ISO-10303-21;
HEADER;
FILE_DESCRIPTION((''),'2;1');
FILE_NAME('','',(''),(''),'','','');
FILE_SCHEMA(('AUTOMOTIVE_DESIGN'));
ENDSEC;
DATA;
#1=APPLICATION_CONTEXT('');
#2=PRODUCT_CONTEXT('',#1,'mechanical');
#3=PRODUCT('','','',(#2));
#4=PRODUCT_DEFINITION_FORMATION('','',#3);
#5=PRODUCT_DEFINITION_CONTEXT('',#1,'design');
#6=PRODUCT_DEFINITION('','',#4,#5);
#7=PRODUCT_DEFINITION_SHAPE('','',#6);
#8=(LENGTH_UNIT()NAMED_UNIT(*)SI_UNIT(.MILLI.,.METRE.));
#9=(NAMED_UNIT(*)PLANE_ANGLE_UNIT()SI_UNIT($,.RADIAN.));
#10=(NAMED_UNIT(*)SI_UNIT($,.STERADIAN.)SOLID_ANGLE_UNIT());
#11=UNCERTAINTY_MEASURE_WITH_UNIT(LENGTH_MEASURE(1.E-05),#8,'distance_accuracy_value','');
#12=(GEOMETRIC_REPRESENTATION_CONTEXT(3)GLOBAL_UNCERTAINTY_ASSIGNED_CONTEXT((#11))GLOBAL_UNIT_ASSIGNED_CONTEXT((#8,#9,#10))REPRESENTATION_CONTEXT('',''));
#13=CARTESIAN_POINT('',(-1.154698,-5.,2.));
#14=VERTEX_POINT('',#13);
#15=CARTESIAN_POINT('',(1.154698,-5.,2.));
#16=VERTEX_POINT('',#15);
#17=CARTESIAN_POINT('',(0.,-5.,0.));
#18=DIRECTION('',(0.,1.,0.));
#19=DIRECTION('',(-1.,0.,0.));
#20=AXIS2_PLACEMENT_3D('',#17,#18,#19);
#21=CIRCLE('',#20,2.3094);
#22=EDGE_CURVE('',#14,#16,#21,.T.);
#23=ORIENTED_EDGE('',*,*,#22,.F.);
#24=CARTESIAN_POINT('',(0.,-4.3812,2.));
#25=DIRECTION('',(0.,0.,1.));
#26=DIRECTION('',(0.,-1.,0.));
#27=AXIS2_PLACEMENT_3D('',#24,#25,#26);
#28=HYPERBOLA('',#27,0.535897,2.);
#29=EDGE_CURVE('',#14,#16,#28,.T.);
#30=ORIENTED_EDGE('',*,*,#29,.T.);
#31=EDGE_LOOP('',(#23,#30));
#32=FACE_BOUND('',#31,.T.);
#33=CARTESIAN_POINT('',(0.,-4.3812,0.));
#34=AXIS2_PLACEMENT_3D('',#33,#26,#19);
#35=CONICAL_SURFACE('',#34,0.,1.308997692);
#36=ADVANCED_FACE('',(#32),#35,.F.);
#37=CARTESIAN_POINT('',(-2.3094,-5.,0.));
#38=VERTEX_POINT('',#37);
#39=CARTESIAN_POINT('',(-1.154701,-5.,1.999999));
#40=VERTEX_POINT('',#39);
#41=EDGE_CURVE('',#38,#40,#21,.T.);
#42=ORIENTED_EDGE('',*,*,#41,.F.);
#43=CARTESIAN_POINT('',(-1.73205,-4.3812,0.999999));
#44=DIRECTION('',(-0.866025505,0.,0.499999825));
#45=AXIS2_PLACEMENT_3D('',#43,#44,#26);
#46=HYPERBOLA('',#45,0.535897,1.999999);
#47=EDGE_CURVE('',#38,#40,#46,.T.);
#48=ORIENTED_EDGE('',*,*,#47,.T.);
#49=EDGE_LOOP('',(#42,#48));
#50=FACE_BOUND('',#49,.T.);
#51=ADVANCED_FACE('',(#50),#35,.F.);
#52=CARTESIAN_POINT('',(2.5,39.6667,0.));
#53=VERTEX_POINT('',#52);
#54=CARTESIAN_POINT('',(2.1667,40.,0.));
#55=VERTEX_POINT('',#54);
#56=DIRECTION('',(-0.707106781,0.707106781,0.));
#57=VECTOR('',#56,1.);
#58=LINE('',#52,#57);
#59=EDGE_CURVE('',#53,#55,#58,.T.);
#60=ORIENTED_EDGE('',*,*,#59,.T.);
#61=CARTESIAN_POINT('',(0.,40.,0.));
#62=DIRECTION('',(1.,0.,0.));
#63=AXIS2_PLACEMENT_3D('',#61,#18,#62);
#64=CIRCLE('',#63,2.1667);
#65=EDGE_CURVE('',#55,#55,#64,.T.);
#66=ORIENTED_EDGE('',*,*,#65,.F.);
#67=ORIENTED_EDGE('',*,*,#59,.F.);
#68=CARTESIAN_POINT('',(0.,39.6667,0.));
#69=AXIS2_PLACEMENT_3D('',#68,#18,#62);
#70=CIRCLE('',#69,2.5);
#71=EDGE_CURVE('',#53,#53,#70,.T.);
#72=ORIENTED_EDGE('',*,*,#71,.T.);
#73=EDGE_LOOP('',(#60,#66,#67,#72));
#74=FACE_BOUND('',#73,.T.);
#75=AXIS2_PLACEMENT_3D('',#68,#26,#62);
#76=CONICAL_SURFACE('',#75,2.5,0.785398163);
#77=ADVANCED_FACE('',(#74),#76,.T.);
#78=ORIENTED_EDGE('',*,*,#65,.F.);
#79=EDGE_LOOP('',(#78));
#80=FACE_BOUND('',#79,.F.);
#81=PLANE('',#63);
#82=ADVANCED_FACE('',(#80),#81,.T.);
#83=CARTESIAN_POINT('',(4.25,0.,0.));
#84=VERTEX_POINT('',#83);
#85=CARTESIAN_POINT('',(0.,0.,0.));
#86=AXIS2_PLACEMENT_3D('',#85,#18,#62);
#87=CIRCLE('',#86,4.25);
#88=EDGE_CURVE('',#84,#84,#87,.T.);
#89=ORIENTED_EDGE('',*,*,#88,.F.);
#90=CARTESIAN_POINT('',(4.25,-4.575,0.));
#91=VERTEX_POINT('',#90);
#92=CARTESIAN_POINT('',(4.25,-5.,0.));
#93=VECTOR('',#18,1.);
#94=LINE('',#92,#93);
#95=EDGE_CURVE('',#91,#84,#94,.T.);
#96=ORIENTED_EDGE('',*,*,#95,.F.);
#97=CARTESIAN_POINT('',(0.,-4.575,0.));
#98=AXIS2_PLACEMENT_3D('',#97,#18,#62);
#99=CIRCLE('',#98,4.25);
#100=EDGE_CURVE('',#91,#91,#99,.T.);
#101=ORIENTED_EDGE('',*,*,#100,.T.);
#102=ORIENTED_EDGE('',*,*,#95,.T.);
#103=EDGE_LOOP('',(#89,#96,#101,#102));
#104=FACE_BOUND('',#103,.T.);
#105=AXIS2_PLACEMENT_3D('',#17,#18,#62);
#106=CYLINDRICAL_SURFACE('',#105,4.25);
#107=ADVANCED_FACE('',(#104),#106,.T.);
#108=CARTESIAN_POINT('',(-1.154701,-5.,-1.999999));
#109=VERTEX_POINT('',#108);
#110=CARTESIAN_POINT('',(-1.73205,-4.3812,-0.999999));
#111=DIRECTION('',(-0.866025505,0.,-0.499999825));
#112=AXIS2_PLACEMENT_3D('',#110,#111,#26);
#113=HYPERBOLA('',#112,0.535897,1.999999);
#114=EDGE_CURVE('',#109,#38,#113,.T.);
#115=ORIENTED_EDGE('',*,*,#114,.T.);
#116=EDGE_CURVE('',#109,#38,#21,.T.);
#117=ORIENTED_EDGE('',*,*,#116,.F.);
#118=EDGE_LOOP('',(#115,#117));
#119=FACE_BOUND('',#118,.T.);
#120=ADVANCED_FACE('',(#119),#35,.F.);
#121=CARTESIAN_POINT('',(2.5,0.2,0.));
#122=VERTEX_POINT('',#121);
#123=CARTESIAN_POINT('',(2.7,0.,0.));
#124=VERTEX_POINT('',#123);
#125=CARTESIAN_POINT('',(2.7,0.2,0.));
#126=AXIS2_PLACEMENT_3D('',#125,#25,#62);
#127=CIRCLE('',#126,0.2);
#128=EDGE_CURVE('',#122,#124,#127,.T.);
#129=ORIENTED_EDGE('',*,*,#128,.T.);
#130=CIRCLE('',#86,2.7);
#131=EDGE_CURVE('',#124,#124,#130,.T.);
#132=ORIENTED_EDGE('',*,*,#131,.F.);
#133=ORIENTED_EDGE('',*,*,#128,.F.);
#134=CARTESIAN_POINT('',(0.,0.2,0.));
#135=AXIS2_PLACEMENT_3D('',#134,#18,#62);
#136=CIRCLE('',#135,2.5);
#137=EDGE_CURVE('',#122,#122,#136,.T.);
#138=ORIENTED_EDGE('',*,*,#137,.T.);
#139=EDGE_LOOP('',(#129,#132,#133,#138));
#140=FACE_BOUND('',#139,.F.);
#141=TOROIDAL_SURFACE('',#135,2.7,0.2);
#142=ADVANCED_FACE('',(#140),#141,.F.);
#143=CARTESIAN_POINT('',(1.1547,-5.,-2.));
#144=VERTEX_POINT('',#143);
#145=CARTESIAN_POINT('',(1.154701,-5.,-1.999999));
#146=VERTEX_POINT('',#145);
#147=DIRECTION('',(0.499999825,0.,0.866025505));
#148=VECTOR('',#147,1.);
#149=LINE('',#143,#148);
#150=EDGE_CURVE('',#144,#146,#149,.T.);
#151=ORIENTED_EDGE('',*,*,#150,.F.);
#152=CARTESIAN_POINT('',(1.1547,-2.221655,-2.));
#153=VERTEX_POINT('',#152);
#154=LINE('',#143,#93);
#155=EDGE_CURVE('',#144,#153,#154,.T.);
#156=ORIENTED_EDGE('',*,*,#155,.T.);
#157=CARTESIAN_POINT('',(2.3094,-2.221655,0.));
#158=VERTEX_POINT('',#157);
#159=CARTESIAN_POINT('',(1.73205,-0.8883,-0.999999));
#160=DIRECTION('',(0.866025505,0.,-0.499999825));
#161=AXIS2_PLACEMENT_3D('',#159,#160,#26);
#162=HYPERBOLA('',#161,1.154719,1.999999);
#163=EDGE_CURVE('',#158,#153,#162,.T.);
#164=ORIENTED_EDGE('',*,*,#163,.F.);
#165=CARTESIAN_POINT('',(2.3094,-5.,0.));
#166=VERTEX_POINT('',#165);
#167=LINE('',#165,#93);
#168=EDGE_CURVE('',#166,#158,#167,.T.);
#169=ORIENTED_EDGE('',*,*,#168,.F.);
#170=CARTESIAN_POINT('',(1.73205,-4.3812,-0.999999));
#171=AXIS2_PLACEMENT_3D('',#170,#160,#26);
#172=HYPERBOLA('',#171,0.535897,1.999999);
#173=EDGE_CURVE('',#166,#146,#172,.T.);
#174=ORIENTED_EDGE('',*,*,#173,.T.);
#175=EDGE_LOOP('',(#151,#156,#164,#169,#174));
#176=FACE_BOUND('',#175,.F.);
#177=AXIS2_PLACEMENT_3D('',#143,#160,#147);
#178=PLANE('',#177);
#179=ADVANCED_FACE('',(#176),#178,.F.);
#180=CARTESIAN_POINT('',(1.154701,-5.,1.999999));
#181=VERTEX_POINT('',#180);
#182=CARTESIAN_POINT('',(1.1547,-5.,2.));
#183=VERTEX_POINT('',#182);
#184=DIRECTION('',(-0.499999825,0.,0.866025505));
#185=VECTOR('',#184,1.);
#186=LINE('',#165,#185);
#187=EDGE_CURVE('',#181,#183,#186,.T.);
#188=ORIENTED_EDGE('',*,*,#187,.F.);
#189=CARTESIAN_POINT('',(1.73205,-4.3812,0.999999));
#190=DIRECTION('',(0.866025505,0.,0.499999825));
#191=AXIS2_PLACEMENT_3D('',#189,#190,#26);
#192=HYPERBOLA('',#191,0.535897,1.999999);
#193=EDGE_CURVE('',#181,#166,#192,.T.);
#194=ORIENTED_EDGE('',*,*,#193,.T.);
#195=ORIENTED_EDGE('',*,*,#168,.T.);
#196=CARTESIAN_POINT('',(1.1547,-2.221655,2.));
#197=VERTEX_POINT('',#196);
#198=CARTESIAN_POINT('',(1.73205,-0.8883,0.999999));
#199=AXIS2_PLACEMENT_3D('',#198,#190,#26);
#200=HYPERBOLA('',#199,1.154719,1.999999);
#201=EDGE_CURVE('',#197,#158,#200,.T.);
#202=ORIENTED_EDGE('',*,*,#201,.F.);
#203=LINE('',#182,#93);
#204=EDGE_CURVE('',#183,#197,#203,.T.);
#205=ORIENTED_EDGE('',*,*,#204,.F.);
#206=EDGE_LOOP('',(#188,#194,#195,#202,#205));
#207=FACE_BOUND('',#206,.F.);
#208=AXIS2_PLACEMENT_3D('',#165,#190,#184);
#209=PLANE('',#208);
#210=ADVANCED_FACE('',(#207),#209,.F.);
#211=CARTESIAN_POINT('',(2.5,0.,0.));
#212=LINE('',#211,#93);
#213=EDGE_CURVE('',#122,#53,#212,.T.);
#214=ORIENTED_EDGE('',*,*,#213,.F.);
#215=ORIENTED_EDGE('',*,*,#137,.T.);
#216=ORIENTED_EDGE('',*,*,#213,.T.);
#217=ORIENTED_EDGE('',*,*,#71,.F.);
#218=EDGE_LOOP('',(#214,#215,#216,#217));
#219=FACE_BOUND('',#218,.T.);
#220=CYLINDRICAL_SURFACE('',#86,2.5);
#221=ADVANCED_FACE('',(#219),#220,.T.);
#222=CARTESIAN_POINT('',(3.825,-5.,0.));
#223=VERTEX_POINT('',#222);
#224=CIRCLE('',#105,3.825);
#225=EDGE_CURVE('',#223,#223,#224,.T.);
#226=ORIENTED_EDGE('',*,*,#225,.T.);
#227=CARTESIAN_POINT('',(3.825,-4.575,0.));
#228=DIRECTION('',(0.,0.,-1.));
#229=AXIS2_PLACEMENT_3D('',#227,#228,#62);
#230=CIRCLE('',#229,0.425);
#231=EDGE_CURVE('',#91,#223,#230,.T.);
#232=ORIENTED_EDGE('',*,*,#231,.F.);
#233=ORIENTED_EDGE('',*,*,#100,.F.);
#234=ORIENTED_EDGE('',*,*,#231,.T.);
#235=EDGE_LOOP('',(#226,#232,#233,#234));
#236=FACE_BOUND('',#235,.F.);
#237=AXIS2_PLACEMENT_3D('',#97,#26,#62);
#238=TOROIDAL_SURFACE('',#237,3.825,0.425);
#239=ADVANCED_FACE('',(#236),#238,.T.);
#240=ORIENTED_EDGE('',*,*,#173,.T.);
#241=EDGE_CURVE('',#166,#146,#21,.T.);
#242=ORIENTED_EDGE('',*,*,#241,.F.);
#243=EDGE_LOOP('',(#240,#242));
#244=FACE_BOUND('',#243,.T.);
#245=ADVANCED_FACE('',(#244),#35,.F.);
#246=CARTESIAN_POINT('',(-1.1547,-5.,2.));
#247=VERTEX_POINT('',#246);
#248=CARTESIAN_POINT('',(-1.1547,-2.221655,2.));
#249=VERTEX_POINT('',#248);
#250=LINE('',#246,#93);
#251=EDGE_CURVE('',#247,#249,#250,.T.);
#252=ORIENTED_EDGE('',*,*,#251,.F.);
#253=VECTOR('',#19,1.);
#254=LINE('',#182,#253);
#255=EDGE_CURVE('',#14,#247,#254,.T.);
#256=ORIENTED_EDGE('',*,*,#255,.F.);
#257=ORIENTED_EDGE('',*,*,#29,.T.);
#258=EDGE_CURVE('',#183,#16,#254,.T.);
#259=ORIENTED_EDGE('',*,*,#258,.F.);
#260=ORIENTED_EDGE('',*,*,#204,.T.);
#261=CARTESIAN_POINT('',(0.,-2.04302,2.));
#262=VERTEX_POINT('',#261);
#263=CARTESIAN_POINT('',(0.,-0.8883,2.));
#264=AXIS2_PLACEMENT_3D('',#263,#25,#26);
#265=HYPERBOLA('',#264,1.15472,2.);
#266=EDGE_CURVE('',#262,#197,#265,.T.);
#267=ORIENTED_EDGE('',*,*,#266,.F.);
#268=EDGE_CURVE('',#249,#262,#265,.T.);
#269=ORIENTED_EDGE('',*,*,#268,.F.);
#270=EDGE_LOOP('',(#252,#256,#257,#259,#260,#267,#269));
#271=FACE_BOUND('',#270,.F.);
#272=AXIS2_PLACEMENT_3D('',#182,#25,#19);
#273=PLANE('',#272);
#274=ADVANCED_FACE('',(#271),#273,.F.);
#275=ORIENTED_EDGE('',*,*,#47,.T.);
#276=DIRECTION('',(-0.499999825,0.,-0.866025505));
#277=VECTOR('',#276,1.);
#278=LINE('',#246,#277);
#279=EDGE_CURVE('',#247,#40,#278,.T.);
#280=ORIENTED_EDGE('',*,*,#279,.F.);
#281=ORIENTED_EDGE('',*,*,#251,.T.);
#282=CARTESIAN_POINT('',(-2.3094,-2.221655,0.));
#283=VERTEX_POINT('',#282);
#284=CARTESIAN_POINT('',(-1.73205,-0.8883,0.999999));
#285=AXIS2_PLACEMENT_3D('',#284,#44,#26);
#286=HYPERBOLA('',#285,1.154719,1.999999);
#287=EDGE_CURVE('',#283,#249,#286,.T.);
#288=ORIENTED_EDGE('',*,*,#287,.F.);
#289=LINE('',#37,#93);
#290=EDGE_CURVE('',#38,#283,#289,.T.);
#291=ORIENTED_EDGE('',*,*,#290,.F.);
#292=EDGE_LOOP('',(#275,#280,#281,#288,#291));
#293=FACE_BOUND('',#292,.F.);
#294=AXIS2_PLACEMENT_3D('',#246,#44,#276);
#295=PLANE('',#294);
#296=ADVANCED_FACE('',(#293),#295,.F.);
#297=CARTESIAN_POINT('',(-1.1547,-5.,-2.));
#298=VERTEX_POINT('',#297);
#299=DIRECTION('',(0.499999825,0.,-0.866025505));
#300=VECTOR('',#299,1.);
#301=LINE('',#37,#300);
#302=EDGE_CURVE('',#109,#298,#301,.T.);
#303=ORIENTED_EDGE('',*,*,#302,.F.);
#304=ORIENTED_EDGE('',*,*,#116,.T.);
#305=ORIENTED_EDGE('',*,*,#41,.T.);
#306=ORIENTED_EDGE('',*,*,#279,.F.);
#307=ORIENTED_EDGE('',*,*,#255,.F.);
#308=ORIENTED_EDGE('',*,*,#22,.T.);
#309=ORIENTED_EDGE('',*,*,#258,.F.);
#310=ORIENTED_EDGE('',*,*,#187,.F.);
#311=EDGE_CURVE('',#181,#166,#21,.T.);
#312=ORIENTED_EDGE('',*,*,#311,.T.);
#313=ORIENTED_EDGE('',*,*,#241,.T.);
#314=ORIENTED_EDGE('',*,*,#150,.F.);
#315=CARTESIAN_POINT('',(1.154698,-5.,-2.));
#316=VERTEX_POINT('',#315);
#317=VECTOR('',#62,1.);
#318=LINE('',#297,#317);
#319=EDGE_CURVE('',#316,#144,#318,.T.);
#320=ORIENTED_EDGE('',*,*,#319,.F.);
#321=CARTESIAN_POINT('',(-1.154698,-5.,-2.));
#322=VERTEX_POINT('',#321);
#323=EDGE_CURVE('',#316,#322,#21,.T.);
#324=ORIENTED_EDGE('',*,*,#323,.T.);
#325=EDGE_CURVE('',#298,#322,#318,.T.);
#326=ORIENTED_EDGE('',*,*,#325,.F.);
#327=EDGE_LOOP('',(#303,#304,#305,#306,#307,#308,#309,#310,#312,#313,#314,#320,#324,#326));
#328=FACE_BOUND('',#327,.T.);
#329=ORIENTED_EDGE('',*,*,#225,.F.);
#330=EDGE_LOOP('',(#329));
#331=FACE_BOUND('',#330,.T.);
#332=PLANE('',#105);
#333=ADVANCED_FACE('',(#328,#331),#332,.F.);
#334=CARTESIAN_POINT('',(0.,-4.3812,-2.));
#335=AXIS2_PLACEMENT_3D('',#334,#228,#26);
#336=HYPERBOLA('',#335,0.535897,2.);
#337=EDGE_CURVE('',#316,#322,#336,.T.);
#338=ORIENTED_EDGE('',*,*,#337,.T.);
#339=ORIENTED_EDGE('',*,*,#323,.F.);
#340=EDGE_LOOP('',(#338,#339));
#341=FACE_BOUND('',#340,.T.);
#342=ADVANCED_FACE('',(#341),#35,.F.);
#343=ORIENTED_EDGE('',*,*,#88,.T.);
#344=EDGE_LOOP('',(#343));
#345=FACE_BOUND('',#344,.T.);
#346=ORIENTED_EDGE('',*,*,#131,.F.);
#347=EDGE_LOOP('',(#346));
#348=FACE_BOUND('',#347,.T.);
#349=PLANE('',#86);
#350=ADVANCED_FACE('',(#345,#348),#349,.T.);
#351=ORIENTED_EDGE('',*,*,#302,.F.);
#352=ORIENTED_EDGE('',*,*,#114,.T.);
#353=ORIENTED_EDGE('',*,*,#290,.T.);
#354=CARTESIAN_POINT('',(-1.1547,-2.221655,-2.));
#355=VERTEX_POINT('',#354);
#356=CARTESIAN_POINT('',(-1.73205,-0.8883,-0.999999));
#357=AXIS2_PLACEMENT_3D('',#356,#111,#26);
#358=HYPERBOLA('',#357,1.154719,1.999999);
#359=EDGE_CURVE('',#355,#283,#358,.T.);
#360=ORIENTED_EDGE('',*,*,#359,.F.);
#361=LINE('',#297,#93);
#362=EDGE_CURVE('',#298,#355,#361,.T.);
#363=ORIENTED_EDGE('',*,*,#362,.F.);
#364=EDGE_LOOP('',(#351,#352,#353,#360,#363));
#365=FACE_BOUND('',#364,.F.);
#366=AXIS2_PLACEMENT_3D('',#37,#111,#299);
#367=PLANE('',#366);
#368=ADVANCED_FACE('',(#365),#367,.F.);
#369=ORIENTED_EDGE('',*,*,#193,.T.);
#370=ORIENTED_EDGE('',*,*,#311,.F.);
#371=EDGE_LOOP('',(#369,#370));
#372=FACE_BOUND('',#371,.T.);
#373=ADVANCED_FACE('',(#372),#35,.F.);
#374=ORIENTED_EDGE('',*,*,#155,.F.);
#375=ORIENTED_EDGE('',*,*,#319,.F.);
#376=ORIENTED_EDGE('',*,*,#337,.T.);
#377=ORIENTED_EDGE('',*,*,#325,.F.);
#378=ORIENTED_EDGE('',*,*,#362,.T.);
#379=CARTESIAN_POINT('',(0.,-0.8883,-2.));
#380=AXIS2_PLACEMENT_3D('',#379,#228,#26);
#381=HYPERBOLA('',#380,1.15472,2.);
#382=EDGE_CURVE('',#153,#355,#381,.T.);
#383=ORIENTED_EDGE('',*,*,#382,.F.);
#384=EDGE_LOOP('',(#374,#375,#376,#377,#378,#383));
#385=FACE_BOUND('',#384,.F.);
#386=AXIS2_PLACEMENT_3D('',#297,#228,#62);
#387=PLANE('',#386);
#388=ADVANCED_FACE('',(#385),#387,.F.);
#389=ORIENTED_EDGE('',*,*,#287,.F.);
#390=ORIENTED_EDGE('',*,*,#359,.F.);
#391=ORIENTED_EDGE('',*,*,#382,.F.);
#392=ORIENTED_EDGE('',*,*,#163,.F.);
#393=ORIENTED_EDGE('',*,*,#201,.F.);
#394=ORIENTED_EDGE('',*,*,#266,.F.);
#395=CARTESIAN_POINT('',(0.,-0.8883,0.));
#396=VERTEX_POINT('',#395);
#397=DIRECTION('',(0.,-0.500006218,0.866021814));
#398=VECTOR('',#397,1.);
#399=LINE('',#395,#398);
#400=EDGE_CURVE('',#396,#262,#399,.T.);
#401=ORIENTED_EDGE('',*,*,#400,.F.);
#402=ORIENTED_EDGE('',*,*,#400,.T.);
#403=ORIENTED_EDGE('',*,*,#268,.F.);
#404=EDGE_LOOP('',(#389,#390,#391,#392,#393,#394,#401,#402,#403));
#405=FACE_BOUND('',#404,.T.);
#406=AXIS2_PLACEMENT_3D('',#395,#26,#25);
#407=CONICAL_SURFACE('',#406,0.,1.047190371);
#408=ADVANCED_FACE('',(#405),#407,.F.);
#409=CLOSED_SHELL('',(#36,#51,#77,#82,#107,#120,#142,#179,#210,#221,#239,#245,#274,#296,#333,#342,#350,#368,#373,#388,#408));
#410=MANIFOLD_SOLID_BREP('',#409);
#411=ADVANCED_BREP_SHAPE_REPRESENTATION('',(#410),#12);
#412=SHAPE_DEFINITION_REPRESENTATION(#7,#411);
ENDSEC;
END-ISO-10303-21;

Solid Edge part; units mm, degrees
sketch "Sketch1" plane through (0, 0, 0) normal (0, 0, 1) x (1, 0, 0)
  line L0 (2.5, 0) -> (2.5, 40)
  line L1 (0, 40) -> (2.5, 40)
  line L2 (0, 0) -> (0, 40)
  line L3 (0, 0) -> (0, -5)
  line L4 (0, -5) -> (4.25, -5)
  line L5 (4.25, -5) -> (4.25, 0)
  line L6 (4.25, 0) -> (2.5, 0)
revolve "RevolvedProtrusion1" add sketch "Sketch1" angle 360 about axis through (0, 0, 0) along (0, 1, 0)
sketch "Sketch2" plane through (0, 0, 0) normal (1, 0, 0) x (0, 1, 0)
  line L0 (-5, 2.7915) -> (-2.5, 2.7915)
  line L1 (-0.8883, 0) -> (-2.5, 2.7915)
  line L2 (-5, 0) -> (-0.8883, 0)
  line L3 (-5, 0) -> (-5, 2.7915)
revolve "RevolvedCutout1" cut sketch "Sketch2" angle 360 about axis through (0, -4.5, 0) along (0, 1, 0)
sketch "Sketch3" plane through (0, -5, 0) normal (0, -1, 0) x (0, 0, 1)
  circle A0 centre (0, 0) radius 2.7915
  line L0 (-2, -1.1547) -> (0, -2.3094)
  line L1 (0, -2.3094) -> (2, -1.1547)
  line L2 (2, -1.1547) -> (2, 1.1547)
  line L3 (2, 1.1547) -> (0, 2.3094)
  line L4 (0, 2.3094) -> (-2, 1.1547)
  line L5 (-2, 1.1547) -> (-2, -1.1547)
  dimension "D1" = 4
extrude "Protrusion1" add sketch "Sketch3" against normal up to next
sketch "Sketch4" plane through (0, 0, 0) normal (0, 0, 1) x (1, 0, 0)
  line L0 (-2.3094, -5) -> (0, -5)
  line L1 (0, -5) -> (0, -4.3812)
  line L2 (0, -4.3812) -> (-2.3094, -5)
revolve "RevolvedCutout2" cut sketch "Sketch4" angle 360 about axis through (0, -4.5, 0) along (0, 1, 0)
fillet "Round1" radius 0.2 1 edges at (0, 0, -2.5)
fillet "Round2" radius 0.425 1 edges at (0, -5, -4.25)
chamfer "倒斜角_2" distance 0.3333 angle 45 1 edges at (0, 40, -2.5)
cosmetic_thread "螺纹_3" size "M5" thread depth 32
properties part number "N2611-031G" material "铝 1060"
